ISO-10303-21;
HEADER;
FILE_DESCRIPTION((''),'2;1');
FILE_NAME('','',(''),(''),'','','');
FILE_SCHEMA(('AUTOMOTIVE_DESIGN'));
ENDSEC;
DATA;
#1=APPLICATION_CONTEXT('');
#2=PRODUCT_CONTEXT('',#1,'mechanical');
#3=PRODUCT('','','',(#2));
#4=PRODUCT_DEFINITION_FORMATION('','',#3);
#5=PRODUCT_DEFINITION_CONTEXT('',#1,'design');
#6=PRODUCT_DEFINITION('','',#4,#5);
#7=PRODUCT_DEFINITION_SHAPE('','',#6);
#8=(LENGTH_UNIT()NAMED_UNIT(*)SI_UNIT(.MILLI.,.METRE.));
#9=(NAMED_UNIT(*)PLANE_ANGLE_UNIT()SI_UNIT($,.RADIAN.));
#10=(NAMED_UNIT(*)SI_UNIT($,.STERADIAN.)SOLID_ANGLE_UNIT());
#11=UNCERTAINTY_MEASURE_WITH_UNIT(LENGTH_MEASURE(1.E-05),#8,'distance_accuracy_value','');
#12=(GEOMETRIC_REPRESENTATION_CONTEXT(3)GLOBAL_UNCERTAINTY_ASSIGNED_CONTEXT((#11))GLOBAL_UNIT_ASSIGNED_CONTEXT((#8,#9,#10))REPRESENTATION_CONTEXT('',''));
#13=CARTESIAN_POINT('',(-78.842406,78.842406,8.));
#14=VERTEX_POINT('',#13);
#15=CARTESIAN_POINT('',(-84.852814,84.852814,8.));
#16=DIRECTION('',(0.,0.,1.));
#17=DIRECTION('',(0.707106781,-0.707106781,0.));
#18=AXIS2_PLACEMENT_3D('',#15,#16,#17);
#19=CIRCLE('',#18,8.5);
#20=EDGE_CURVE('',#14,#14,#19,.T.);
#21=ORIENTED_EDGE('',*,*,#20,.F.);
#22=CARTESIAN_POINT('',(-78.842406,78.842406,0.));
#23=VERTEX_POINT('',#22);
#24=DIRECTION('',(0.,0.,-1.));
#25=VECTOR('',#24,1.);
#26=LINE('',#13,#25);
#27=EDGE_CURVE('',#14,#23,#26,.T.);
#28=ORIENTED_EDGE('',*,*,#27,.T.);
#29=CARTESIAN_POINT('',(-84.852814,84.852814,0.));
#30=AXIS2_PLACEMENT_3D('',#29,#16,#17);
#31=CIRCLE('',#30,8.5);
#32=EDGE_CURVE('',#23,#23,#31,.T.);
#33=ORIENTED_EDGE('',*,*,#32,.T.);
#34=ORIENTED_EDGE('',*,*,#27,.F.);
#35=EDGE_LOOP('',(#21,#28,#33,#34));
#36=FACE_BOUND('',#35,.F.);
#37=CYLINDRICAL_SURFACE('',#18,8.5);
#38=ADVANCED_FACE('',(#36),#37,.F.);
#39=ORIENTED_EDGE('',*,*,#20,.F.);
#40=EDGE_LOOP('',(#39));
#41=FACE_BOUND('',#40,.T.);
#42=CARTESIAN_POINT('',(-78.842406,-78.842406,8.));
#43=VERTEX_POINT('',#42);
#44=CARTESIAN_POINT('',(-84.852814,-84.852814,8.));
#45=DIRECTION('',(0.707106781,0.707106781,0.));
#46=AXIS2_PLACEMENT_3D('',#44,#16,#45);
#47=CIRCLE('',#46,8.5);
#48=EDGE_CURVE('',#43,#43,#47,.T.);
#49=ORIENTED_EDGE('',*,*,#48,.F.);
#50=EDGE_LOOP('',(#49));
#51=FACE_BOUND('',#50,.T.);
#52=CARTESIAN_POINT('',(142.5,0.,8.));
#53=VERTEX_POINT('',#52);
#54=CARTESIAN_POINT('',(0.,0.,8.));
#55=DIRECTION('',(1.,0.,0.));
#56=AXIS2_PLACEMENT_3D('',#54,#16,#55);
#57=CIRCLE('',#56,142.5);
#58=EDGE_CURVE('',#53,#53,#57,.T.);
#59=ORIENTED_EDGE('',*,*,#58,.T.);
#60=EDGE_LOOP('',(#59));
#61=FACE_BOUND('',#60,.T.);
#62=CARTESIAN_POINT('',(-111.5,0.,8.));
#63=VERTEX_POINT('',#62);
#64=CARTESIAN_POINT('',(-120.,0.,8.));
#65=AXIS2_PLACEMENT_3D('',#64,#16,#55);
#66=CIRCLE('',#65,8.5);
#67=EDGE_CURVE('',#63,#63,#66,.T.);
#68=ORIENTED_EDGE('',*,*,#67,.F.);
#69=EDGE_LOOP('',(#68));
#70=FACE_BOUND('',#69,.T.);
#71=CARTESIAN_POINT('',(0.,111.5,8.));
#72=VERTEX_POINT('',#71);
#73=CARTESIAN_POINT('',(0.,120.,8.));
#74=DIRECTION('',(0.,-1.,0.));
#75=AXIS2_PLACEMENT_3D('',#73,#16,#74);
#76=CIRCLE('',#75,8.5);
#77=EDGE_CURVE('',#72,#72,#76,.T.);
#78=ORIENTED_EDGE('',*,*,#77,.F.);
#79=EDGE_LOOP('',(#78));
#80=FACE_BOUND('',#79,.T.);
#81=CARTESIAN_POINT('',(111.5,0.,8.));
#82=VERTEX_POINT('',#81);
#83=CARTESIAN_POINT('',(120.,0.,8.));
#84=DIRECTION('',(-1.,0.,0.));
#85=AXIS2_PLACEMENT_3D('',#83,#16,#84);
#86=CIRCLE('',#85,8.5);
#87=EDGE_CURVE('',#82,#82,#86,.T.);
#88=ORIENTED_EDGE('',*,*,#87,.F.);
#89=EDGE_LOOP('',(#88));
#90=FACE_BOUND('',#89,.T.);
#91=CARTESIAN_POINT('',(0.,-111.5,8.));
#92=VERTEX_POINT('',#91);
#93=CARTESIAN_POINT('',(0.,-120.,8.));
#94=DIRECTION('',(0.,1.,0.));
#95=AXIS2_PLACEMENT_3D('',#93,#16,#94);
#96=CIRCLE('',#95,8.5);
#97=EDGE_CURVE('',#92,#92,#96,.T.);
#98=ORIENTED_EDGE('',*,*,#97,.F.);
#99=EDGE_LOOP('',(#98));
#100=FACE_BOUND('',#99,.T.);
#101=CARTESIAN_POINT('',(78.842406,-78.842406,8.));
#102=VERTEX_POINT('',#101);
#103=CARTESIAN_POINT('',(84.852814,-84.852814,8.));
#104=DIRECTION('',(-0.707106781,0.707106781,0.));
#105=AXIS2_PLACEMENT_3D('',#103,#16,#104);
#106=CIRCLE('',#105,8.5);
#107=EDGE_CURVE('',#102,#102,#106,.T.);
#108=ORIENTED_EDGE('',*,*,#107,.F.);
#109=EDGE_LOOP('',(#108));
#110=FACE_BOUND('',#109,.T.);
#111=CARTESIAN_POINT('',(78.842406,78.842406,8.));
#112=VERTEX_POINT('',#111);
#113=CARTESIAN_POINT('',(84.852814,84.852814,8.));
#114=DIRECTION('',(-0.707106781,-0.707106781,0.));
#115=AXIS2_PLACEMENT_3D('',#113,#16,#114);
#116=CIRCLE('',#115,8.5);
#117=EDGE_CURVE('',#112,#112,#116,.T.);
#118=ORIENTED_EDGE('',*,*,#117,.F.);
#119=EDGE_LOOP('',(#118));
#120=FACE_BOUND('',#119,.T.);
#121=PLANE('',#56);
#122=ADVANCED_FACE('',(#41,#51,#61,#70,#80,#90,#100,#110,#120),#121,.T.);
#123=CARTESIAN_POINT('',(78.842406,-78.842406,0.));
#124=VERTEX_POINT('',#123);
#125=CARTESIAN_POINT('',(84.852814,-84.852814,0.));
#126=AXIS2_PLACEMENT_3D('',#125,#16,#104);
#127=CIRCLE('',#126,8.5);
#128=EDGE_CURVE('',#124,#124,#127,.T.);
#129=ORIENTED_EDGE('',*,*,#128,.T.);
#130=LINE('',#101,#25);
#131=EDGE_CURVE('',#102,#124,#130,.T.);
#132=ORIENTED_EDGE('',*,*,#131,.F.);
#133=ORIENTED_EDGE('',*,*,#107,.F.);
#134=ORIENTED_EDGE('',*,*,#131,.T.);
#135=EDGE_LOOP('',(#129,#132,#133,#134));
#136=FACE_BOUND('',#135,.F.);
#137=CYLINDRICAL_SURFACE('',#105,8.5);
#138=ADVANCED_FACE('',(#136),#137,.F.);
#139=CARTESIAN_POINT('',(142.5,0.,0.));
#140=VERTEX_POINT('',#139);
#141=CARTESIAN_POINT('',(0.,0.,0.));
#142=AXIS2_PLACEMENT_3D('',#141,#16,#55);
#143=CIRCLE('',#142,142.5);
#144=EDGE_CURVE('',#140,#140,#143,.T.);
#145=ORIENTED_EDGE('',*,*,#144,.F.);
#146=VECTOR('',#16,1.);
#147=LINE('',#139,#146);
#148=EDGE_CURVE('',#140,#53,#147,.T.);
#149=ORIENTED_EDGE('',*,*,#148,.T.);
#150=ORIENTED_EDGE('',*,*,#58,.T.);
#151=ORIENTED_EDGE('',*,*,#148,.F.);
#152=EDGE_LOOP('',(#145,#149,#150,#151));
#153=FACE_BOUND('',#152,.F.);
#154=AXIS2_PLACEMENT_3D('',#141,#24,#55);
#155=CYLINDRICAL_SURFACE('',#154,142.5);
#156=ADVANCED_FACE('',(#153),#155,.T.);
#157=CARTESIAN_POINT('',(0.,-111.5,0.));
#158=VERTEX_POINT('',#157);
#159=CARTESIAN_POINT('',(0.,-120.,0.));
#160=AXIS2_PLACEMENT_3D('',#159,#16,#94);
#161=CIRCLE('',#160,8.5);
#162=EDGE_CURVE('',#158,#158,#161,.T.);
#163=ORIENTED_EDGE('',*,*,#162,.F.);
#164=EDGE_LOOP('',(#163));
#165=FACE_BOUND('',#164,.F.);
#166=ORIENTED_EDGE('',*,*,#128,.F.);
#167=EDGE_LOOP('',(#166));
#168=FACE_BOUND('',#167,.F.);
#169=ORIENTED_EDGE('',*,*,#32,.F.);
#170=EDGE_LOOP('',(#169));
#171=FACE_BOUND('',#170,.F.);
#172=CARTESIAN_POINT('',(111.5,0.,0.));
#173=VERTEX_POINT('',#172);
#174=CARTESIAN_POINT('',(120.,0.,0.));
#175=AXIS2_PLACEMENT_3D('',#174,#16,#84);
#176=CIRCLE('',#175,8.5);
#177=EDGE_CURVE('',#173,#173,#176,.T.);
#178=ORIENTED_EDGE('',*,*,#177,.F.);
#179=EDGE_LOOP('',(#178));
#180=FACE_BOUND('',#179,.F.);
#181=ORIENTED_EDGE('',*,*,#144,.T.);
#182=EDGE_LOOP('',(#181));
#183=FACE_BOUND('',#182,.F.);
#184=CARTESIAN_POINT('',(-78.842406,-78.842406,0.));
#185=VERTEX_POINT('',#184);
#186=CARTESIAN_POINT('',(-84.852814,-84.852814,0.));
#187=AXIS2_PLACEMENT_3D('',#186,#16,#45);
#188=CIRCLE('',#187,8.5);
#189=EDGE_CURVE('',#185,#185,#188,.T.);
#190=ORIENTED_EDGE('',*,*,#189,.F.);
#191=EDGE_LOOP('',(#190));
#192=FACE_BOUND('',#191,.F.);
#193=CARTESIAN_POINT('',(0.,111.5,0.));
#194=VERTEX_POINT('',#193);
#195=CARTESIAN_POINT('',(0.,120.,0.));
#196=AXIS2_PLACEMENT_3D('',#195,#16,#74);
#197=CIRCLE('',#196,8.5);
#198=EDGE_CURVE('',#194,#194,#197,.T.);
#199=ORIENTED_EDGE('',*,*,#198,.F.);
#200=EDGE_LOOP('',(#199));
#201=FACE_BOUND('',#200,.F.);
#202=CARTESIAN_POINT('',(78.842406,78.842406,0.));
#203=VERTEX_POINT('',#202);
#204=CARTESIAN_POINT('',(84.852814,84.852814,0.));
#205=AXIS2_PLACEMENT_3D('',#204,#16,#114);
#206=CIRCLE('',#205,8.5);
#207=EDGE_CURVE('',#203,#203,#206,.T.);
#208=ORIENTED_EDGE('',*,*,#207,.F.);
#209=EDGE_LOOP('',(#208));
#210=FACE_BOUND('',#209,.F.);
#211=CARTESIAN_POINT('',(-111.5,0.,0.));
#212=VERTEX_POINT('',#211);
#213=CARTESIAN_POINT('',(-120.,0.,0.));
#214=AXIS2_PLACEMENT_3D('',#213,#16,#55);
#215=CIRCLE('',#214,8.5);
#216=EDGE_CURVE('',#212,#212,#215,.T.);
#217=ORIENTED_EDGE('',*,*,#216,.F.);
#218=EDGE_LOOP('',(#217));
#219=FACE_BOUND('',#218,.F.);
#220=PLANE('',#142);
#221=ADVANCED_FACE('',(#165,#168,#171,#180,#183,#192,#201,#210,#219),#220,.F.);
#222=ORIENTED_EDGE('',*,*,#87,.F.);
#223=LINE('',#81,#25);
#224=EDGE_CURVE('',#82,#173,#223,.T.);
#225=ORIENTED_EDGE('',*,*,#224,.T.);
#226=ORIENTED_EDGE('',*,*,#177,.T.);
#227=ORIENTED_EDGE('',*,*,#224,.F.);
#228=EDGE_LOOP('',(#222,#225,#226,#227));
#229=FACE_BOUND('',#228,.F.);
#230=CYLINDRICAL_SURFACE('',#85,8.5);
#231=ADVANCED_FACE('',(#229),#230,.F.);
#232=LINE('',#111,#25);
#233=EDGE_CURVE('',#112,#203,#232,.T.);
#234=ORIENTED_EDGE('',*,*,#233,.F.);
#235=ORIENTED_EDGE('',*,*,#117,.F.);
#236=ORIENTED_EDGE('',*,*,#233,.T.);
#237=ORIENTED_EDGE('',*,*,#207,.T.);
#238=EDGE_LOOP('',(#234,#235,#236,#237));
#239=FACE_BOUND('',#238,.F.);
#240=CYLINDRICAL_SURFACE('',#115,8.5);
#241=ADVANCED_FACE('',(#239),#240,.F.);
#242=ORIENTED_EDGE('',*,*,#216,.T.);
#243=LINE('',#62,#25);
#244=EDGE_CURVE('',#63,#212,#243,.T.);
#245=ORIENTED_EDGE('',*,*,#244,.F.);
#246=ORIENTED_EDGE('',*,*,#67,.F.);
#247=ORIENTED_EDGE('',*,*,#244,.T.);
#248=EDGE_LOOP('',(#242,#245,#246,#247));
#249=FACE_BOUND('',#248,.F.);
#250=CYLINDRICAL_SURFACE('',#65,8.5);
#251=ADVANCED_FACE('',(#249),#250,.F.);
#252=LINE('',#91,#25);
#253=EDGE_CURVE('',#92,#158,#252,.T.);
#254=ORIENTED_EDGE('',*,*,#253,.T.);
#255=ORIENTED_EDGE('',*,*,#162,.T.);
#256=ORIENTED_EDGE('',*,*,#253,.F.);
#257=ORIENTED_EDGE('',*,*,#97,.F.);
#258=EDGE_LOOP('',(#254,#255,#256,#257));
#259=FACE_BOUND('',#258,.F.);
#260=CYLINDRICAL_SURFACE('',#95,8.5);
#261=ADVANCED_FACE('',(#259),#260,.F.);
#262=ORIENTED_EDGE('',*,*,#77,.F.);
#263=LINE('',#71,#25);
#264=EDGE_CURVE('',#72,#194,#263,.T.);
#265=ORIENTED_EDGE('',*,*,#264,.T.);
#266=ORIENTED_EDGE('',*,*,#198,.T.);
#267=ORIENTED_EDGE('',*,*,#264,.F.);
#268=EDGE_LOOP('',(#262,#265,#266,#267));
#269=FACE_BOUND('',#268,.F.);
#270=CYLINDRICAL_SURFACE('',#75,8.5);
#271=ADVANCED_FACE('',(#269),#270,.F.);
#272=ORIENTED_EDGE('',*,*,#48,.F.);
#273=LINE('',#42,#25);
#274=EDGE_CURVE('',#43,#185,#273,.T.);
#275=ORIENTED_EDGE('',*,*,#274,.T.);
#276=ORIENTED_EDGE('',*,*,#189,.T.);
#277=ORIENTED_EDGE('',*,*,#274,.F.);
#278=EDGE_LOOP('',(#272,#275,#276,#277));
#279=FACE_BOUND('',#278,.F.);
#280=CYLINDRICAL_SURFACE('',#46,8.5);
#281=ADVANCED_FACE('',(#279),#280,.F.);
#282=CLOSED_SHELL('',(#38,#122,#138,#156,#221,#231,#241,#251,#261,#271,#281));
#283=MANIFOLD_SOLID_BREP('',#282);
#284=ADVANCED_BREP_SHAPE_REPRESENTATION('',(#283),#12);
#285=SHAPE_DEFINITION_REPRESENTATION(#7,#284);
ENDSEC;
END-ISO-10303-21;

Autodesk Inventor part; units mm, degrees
ref_plane "YZ Plane" through (0, 0, 0) normal (1, 0, 0) x (0, 1, 0)
ref_plane "XZ Plane" through (0, 0, 0) normal (0, 1, 0) x (-1, 0, 0)
ref_plane "XY Plane" through (0, 0, 0) normal (0, 0, 1) x (1, 0, 0)
sketch "Sketch2" plane through (0, 0, 0) normal (0, 0, 1) x (1, 0, 0)
  circle A0 centre (0, 0) radius 80.5
  circle A1 centre (0, 0) radius 142.5
  dimension "d25" = 161
  dimension "d27" = 285
extrude "Plate2" add sketch "Sketch2" along normal blind 8 contours A0 | A1
sketch "Sketch3" plane through (0, 0, 8) normal (0, 0, 1) x (1, 0, 0)
  circle A0 centre (-120, 0) radius 8.5
  circle A1 centre (0, 0) radius 120 construction
  dimension "d28" = 240
  dimension "d15" = 17
extrude "Cut1" cut sketch "Sketch3" against normal blind 8
pattern_circular "Circular Pattern1" count 8 over 360 about axis through (0, 0, -10) along (0, 0, 1) of "Cut1"
equation "\"d17\" = Thickness"
equation "\"d14\" = Thickness"
equation "\"BendReliefWidth\" = Thickness"
equation "\"BendReliefDepth\" = 0.5 * Thickness"
equation "\"CornerReliefSize\" = 4 * Thickness"
equation "\"MinimumRemnant\" = 2 * Thickness"
equation "\"TransitionRadius\" = BendRadius"
equation "\"JacobiRadiusSize\" = BendRadius"
equation "\"GapSize\" = Thickness"
equation "\"Thickness\" = 8"
equation "\"BendRadius\" = 6"
properties part number "SLM 1707 charging flange cup" material "Steel"
